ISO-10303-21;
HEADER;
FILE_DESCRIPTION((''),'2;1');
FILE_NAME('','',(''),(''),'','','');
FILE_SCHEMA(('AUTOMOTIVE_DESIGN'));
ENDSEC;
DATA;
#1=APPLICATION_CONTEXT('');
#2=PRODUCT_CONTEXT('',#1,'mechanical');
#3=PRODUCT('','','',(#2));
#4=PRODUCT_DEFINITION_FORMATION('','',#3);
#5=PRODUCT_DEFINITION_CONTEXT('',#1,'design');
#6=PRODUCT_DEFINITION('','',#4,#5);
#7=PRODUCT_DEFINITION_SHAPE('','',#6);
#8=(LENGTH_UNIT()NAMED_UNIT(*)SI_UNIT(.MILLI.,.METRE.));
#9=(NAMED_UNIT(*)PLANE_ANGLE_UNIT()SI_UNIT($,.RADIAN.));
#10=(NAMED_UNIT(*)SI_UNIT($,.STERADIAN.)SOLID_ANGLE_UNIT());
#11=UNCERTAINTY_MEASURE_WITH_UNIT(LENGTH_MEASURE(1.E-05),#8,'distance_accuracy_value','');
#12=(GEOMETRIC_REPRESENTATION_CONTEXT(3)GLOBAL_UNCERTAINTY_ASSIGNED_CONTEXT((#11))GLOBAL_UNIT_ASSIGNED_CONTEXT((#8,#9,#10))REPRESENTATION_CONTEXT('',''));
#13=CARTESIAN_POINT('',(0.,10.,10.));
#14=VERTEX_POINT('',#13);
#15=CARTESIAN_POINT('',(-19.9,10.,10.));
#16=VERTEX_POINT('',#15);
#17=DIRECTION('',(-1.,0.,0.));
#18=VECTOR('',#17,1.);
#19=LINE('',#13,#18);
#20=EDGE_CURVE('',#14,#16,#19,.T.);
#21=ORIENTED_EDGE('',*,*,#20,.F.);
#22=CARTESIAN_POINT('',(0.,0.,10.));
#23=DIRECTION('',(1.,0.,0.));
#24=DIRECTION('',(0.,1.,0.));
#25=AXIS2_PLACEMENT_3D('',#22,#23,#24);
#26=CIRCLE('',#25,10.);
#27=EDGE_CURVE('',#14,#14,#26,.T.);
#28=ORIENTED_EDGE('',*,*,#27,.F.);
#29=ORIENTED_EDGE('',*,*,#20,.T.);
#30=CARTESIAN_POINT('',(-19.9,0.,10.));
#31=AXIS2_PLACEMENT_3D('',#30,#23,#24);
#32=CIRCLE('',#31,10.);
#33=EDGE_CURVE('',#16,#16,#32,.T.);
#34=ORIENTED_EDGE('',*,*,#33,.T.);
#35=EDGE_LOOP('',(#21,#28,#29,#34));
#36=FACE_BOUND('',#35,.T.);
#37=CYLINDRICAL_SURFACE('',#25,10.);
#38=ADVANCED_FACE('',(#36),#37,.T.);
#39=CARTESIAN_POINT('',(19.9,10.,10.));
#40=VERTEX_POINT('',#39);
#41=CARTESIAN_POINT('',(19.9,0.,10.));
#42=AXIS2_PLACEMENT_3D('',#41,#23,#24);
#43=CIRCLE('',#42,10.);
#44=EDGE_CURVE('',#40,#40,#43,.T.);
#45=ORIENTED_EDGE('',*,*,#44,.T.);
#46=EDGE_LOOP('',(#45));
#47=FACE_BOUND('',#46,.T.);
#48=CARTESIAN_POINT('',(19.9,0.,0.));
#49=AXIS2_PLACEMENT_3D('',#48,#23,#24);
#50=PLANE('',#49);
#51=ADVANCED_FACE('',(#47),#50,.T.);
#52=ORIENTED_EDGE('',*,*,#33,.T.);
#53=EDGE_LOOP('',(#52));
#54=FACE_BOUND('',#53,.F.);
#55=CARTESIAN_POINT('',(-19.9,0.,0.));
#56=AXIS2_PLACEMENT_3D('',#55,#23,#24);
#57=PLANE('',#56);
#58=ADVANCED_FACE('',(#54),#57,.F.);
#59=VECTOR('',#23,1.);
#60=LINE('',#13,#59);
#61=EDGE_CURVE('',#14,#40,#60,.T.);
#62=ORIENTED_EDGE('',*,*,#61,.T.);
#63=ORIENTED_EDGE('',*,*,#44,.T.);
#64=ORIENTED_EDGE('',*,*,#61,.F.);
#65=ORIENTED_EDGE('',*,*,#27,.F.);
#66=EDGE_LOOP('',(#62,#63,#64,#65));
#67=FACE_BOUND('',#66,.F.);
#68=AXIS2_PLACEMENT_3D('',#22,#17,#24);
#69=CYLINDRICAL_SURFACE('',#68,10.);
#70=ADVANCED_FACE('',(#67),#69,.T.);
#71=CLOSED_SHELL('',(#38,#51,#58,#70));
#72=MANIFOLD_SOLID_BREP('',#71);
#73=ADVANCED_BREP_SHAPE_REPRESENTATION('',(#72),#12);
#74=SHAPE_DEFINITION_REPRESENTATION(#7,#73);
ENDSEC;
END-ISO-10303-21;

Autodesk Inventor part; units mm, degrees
ref_plane "YZ Plane" through (0, 0, 0) normal (1, 0, 0) x (0, 1, 0)
ref_plane "XZ Plane" through (0, 0, 0) normal (0, 1, 0) x (-1, 0, 0)
ref_plane "XY Plane" through (0, 0, 0) normal (0, 0, 1) x (1, 0, 0)
sketch "Skizze2" plane through (0, 0, 0) normal (1, 0, 0) x (0, 1, 0)
  circle A0 centre (0, 10) radius 10
  point P0 (0, 0)
  dimension "d0" = 39.8
extrude "Extrusion1" add sketch "Skizze2" along normal mid plane 39.8
properties part number "Cylinder"
